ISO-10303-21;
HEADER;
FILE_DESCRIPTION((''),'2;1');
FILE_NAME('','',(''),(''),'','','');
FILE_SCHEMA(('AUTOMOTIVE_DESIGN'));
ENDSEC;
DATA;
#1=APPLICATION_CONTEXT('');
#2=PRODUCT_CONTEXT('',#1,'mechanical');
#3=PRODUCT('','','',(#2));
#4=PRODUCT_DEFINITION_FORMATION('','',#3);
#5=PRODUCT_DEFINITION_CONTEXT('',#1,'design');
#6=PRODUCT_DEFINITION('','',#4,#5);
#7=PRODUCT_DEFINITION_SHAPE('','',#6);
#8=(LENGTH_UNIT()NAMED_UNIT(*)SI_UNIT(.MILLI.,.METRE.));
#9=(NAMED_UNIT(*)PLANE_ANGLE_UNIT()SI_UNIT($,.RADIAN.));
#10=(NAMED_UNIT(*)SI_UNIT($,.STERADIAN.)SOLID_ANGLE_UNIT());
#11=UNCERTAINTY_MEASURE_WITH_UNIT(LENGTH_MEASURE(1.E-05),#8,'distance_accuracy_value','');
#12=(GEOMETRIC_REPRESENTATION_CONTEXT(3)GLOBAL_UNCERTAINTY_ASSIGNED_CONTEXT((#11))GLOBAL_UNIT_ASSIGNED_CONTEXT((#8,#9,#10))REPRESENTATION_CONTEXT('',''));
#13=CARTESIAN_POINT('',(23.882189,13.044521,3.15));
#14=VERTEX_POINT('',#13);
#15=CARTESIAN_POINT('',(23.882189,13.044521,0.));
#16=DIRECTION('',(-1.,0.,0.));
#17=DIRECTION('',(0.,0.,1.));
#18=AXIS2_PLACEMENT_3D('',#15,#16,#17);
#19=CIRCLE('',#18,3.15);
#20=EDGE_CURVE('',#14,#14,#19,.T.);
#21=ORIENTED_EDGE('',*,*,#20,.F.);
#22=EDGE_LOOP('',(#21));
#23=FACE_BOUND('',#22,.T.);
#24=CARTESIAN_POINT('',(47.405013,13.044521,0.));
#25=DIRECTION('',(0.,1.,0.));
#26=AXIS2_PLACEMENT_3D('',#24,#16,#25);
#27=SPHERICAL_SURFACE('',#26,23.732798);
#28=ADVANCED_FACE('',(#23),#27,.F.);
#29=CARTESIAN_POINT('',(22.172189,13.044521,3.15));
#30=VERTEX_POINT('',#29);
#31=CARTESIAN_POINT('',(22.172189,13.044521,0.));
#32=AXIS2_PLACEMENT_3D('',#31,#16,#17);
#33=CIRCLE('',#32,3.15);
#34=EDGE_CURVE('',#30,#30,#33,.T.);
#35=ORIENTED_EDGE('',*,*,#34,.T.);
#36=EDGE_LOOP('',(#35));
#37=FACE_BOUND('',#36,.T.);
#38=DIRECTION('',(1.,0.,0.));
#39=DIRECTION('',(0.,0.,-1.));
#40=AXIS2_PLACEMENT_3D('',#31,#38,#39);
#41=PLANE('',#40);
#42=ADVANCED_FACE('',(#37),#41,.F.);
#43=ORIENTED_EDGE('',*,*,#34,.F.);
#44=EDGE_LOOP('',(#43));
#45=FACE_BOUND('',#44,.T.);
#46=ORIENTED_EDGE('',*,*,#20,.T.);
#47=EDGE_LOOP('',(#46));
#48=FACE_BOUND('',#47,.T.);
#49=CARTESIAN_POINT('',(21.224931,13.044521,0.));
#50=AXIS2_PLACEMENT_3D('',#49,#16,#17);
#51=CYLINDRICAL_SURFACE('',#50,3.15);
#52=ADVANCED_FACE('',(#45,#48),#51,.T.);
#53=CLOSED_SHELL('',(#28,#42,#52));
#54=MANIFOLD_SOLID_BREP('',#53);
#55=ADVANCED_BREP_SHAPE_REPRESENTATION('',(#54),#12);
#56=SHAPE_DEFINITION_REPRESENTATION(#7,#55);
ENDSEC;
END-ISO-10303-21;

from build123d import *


with BuildPart() as part:
    # 草图1 → 旋转1 (revolve)
    with BuildSketch(Plane.XY):
        with BuildLine():
            Line((22.172189475, 13.044520575), (22.172189475, 16.194520575))
            Line((22.172189475, 16.194520575), (23.882189475, 16.194520575))
            ThreePointArc((23.882189475, 16.194520575), (23.724766394, 14.623015864), (23.672214456, 13.044520575))
            Line((23.672214456, 13.044520575), (22.172189475, 13.044520575))
        make_face()
    revolve(axis=Axis((21.224930557, 13.044520575, 0), (1, 0, 0)))


solid = part.part
